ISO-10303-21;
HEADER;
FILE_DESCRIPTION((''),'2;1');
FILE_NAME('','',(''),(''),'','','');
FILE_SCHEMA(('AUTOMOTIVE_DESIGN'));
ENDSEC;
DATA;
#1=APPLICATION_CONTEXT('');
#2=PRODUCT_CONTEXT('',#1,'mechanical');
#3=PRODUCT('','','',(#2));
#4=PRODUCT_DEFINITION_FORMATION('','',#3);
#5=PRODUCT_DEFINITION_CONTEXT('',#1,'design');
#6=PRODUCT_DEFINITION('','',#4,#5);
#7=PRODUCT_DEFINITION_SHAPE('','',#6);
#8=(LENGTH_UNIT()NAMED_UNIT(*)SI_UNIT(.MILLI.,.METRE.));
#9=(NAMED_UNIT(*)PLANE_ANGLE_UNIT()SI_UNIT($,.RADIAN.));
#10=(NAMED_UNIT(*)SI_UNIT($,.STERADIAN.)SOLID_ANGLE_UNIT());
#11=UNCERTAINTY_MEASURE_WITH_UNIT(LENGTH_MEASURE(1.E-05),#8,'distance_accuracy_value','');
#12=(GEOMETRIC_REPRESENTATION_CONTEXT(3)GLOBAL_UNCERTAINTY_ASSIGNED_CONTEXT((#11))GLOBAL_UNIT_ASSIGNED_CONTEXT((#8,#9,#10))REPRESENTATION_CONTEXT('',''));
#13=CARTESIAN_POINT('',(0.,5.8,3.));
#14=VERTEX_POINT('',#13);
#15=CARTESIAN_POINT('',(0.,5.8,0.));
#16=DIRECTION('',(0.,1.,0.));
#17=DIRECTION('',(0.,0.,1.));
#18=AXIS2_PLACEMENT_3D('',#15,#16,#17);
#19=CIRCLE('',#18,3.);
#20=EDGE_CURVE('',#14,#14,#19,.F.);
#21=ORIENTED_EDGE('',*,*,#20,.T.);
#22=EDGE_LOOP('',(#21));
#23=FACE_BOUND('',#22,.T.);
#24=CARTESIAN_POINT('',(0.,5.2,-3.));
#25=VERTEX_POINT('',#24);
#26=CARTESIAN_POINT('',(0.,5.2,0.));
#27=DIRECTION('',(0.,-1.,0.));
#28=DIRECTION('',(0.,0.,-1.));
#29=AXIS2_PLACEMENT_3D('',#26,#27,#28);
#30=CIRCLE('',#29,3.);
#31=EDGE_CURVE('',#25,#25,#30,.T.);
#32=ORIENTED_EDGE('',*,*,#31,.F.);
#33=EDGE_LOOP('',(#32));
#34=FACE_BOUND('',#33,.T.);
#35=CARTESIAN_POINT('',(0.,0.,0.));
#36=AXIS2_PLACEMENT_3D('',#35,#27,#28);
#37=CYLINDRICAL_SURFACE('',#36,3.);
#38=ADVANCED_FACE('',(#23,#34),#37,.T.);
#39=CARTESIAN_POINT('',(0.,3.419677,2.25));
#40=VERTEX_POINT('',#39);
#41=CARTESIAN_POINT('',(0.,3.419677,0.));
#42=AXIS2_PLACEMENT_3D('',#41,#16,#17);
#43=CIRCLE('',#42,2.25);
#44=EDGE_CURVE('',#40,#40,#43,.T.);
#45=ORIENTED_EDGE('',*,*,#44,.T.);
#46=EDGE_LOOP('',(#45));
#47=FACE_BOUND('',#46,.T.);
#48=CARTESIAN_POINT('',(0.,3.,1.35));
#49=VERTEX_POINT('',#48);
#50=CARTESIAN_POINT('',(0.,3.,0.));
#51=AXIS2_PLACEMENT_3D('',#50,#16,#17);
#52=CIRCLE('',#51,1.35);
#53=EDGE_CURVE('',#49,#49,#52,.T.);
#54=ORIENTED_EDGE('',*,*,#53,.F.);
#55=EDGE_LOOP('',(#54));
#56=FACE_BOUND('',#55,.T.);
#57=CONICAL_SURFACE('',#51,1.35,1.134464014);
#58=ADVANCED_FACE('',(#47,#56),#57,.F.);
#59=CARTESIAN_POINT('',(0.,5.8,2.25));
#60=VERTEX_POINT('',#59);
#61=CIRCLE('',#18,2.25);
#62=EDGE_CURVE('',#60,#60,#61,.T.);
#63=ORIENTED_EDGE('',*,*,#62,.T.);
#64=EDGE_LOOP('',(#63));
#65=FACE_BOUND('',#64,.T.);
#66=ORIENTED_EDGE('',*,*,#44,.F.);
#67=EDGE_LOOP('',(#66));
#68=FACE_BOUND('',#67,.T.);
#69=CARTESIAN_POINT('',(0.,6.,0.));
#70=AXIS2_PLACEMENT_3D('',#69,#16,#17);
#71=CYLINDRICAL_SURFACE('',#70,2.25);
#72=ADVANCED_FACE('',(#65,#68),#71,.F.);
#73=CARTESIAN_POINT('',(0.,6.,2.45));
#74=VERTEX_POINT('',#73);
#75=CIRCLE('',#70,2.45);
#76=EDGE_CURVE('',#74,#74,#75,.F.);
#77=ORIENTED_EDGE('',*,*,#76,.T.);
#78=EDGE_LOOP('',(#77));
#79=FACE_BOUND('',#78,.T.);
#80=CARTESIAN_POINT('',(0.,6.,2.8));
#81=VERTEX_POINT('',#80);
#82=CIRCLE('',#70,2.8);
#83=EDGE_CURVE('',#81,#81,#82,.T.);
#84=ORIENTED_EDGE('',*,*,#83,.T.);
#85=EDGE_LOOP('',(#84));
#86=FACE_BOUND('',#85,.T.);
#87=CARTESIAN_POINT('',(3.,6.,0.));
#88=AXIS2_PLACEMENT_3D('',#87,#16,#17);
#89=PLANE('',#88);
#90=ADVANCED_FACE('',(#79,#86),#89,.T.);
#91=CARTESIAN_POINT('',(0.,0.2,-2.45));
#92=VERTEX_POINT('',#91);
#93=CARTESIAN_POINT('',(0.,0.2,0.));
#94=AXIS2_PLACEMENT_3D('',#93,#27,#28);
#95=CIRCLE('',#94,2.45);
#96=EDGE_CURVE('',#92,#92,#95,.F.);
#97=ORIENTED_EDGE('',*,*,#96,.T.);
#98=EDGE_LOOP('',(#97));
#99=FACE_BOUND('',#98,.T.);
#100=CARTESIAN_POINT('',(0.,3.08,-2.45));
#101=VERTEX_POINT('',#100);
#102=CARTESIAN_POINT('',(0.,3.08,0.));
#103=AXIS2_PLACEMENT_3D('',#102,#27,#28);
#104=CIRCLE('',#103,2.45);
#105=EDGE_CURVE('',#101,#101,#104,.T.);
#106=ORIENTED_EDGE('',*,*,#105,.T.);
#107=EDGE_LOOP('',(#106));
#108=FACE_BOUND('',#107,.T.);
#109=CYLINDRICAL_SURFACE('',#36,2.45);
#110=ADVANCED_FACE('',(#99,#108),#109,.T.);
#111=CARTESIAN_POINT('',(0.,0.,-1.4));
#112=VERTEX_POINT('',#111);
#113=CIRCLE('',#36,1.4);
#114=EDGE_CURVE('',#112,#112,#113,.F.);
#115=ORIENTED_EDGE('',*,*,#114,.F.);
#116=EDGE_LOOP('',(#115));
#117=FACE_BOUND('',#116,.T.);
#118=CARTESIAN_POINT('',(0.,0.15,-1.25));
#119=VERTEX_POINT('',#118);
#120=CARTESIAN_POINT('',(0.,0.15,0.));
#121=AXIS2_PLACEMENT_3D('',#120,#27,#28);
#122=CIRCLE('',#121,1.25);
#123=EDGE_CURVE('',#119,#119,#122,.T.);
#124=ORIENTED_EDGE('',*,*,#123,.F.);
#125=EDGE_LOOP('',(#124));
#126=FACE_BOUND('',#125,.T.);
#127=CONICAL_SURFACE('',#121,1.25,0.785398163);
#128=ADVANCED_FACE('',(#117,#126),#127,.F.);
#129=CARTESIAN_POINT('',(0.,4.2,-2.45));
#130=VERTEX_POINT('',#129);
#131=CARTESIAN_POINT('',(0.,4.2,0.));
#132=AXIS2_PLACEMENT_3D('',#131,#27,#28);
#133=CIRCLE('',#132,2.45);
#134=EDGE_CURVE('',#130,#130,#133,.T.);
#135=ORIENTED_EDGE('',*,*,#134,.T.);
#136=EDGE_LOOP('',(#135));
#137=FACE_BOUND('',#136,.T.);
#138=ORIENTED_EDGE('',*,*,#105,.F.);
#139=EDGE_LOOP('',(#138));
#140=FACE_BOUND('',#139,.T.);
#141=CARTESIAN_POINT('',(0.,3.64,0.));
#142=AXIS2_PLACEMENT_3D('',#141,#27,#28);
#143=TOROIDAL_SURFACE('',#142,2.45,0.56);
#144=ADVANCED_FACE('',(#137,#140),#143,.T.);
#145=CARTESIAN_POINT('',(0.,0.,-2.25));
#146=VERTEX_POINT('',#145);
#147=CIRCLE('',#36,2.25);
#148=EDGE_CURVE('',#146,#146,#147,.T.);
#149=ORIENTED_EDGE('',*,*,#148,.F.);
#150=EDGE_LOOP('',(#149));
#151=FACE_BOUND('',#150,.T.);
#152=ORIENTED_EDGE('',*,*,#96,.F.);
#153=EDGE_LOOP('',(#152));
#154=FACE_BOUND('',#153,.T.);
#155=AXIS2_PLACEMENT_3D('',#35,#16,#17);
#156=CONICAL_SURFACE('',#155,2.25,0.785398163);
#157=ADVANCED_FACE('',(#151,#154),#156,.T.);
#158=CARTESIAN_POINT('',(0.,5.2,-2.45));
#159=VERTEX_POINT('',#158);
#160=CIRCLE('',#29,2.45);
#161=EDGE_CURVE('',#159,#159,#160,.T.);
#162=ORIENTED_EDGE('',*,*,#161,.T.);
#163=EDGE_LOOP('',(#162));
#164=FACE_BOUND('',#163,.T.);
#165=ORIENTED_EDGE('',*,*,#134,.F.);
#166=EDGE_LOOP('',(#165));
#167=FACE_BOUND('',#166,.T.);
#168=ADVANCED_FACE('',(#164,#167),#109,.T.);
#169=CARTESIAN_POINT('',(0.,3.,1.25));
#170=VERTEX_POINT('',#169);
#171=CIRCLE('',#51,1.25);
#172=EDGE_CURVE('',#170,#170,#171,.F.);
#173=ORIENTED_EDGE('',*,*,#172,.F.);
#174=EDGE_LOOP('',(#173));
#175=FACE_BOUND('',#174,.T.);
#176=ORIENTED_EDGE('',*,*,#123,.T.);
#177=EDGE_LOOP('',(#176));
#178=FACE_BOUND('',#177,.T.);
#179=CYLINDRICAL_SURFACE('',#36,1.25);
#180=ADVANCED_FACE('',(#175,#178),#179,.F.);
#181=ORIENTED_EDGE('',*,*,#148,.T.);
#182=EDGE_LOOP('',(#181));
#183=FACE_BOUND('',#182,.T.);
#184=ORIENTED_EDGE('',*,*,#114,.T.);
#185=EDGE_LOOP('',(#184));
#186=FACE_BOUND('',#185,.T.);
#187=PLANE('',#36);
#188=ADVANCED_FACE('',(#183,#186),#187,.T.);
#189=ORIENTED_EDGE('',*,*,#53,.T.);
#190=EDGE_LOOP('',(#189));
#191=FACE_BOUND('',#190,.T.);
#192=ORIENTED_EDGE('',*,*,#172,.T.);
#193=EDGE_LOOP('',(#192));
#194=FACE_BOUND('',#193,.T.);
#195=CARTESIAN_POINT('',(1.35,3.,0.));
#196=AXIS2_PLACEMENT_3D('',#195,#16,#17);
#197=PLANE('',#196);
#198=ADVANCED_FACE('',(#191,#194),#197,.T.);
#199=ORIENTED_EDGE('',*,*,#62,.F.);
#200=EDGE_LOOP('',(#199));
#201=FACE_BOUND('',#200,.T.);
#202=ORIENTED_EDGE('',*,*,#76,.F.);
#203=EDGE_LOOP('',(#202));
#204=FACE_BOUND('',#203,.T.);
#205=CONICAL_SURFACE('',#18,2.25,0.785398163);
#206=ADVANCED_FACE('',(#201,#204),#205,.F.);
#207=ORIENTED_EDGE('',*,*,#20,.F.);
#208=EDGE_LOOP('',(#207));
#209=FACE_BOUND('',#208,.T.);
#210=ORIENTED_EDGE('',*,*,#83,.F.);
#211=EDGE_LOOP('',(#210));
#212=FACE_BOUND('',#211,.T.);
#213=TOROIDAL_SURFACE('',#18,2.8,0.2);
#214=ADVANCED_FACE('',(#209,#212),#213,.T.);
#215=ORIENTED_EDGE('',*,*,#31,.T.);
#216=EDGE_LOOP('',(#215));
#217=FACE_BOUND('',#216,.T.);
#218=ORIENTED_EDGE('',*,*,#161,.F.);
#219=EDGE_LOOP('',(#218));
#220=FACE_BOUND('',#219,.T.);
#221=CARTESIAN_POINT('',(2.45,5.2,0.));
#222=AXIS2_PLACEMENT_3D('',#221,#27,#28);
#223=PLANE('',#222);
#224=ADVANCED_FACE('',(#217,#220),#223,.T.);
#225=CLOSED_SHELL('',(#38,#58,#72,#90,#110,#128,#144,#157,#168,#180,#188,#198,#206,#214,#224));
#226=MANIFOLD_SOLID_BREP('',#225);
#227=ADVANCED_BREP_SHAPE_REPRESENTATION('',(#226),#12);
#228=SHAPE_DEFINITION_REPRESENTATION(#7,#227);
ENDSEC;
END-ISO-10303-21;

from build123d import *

# Parameters (mm, degrees)
FILLET_2_R            = 0.2
HOLE_WIZARD_M31_D     = 2.5
HOLE_WIZARD_M31_DEPTH = 4
HOLE_WIZARD_M31_TIP   = 0.751075774
CHAMFER_2_SIZE        = 0.15
CHAMFER_3_SIZE        = 0.2
CHAMFER_6_SIZE        = 0.2


with BuildPart() as part:
    # Эскиз1 → Повернуть1 (revolve)
    with BuildSketch(Plane.XY, mode=Mode.PRIVATE) as revolve_1_sk:
        Polygon((0, 0), (2.45, 0), (2.45, 5.2), (3, 5.2), (3, 6), (0, 6), align=None)
    revolve(revolve_1_sk.sketch.rotate(Axis((0, 0, 0), (0, 1, 0)), 90), axis=Axis((0, 0, 0), (0, 1, 0)))

    # Скругление2
    fillet_2_edges = [part.edges().sort_by_distance(p)[0] for p in [
        (0, 6, 3),
    ]]
    fillet(fillet_2_edges, radius=FILLET_2_R)

    # Отверстие обработанное метчиком M31
    with Locations(Plane(origin=(0, 0, 0), x_dir=(-1, 0, 0), z_dir=(0, -1, 0))):
        with Locations((0, 0)):
            Hole(HOLE_WIZARD_M31_D / 2, depth=HOLE_WIZARD_M31_DEPTH)
            with Locations((0, 0, -(HOLE_WIZARD_M31_DEPTH + HOLE_WIZARD_M31_TIP / 2))):  # 118° drill point
                Cone(0, HOLE_WIZARD_M31_D / 2, HOLE_WIZARD_M31_TIP, mode=Mode.SUBTRACT)

    # Фаска2
    chamfer_2_edges = [part.edges().sort_by_distance(p)[0] for p in [
        (-1.25, 0, 0),
    ]]
    chamfer(chamfer_2_edges, length=CHAMFER_2_SIZE)

    # Эскиз8 → Вырез-Повернуть1 (revolve, cut)
    with BuildSketch(Plane.XY, mode=Mode.PRIVATE) as cut_revolve_1_sk:
        Polygon((2.25, 6), (2.25, 3.419676892), (1.35, 3), (0, 3), (0, 6), align=None)
    revolve(cut_revolve_1_sk.sketch.rotate(Axis((0, 6, 0), (0, -1, 0)), 90), axis=Axis((0, 6, 0), (0, -1, 0)), mode=Mode.SUBTRACT)

    # Эскиз9 → Повернуть3 (revolve)
    with BuildSketch(Plane.XY, mode=Mode.PRIVATE) as revolve_3_sk:
        with BuildLine():
            Line((-2.45, 4.2), (-2.45, 3.08))
            ThreePointArc((-2.45, 3.08), (-3.01, 3.64), (-2.45, 4.2))
        make_face()
    revolve(revolve_3_sk.sketch.rotate(Axis((0, 0, 0), (0, 1, 0)), 270), axis=Axis((0, 0, 0), (0, 1, 0)))

    # Фаска3
    chamfer_3_edges = [part.edges().sort_by_distance(p)[0] for p in [
        (0, 0, 2.45),
    ]]
    chamfer(chamfer_3_edges, length=CHAMFER_3_SIZE)

    # Фаска6
    chamfer_6_edges = [part.edges().sort_by_distance(p)[0] for p in [
        (0, 6, -2.25),
    ]]
    chamfer(chamfer_6_edges, length=CHAMFER_6_SIZE)


solid = part.part
